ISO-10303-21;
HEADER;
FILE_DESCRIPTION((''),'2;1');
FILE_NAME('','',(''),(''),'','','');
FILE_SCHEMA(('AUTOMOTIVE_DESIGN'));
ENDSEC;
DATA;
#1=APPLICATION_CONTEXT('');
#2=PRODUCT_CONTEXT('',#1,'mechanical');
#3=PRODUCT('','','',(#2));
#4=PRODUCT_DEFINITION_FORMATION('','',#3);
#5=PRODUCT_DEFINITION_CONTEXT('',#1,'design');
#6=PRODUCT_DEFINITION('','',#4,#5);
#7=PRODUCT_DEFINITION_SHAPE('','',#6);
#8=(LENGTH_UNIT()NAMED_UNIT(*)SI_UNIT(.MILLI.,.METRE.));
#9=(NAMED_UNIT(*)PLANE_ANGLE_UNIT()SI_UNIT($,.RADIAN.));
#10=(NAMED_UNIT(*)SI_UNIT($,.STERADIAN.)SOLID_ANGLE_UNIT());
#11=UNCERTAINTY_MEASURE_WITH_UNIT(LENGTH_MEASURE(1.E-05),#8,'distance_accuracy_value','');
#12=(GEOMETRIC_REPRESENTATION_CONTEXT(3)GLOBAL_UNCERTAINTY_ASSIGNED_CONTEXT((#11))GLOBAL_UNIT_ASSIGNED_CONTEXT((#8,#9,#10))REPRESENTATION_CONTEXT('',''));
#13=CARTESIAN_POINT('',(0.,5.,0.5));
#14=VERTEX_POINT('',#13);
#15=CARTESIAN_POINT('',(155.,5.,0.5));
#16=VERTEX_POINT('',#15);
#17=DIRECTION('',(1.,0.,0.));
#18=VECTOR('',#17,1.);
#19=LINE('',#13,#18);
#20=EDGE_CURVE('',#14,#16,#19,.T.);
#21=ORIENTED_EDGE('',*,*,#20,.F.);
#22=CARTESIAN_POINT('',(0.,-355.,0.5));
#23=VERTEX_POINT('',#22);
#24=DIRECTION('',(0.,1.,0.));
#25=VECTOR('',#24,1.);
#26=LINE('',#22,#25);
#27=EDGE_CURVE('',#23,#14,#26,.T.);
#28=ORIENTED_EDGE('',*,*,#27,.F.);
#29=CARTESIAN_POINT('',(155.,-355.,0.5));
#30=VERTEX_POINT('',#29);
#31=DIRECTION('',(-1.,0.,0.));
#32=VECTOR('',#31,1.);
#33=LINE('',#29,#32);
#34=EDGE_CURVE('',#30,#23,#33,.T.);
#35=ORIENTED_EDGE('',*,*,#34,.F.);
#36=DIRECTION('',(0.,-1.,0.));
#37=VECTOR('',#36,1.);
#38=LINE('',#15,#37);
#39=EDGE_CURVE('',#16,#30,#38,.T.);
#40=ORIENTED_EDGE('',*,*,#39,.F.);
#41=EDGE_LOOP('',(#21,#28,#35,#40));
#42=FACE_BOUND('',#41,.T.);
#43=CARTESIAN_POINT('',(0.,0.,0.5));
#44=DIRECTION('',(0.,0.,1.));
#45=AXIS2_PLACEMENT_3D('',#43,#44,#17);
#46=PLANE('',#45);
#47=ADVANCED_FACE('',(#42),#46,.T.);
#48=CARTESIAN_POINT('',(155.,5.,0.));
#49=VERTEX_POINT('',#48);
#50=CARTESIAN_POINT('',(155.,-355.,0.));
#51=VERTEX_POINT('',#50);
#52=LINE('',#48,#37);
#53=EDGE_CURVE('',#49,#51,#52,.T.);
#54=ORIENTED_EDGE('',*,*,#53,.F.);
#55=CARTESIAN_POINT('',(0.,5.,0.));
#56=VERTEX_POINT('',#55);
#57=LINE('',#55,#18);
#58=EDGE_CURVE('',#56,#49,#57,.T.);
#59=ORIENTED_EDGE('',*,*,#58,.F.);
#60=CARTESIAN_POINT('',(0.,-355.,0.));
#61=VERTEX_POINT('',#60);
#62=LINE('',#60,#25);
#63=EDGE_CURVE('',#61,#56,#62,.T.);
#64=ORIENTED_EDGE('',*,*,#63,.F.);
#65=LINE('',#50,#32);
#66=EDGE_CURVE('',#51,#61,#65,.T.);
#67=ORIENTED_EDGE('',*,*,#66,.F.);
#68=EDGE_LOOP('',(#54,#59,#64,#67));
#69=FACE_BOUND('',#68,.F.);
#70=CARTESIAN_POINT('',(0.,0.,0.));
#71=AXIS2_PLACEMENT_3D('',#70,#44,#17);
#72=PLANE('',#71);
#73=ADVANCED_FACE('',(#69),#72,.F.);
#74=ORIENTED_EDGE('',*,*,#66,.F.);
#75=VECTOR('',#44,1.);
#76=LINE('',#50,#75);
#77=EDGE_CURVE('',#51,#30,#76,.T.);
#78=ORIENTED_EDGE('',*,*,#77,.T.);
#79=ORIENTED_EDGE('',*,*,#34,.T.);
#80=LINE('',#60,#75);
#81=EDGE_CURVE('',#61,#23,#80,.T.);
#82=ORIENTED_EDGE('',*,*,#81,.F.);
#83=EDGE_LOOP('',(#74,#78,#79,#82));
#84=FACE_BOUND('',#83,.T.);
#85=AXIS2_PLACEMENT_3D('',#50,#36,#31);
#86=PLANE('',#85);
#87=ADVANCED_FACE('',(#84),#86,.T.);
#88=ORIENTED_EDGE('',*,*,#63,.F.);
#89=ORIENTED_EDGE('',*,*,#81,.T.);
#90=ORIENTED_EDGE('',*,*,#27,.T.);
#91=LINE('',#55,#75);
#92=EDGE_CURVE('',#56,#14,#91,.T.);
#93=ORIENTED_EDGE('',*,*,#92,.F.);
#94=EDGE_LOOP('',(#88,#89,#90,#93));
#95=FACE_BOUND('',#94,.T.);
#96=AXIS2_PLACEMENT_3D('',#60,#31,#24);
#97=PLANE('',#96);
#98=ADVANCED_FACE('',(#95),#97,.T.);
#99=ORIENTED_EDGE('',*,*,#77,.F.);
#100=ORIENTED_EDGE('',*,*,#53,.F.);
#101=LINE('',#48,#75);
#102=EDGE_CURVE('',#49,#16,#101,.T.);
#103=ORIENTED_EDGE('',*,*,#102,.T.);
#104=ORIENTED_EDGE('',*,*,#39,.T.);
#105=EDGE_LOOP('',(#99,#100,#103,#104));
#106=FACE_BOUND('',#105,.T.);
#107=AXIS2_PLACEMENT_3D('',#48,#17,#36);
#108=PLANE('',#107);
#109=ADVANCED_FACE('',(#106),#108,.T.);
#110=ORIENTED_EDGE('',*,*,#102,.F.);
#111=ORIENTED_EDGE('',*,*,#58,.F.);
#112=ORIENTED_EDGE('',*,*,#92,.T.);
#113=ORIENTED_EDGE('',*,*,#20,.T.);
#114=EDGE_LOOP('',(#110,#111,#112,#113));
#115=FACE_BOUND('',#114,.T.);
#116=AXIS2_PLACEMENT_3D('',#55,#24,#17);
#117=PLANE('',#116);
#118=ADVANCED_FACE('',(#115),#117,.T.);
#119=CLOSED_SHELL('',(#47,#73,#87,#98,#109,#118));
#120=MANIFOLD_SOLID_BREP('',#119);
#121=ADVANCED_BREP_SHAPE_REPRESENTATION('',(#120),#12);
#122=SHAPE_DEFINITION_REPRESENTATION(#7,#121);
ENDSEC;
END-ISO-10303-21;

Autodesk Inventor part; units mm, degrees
ref_plane "YZ Plane" through (0, 0, 0) normal (1, 0, 0) x (0, 1, 0)
ref_plane "XZ Plane" through (0, 0, 0) normal (0, 1, 0) x (-1, 0, 0)
ref_plane "XY Plane" through (0, 0, 0) normal (0, 0, 1) x (1, 0, 0)
sketch "スケッチ1" plane through (0, 0, 0) normal (0, 0, 1) x (1, 0, 0)
  line L0 (0, 5) -> (155, 5) projected
  line L1 (155, -355) -> (0, -355) projected
  line L2 (0, 5) -> (155, 5)
  line L3 (155, 5) -> (155, -355)
  line L4 (155, -355) -> (0, -355)
  line L5 (0, -355) -> (0, 5)
  point P0 (0, 0)
extrude "押し出し1" add sketch "スケッチ1" along normal blind 0.5
properties part number "板(大)"
